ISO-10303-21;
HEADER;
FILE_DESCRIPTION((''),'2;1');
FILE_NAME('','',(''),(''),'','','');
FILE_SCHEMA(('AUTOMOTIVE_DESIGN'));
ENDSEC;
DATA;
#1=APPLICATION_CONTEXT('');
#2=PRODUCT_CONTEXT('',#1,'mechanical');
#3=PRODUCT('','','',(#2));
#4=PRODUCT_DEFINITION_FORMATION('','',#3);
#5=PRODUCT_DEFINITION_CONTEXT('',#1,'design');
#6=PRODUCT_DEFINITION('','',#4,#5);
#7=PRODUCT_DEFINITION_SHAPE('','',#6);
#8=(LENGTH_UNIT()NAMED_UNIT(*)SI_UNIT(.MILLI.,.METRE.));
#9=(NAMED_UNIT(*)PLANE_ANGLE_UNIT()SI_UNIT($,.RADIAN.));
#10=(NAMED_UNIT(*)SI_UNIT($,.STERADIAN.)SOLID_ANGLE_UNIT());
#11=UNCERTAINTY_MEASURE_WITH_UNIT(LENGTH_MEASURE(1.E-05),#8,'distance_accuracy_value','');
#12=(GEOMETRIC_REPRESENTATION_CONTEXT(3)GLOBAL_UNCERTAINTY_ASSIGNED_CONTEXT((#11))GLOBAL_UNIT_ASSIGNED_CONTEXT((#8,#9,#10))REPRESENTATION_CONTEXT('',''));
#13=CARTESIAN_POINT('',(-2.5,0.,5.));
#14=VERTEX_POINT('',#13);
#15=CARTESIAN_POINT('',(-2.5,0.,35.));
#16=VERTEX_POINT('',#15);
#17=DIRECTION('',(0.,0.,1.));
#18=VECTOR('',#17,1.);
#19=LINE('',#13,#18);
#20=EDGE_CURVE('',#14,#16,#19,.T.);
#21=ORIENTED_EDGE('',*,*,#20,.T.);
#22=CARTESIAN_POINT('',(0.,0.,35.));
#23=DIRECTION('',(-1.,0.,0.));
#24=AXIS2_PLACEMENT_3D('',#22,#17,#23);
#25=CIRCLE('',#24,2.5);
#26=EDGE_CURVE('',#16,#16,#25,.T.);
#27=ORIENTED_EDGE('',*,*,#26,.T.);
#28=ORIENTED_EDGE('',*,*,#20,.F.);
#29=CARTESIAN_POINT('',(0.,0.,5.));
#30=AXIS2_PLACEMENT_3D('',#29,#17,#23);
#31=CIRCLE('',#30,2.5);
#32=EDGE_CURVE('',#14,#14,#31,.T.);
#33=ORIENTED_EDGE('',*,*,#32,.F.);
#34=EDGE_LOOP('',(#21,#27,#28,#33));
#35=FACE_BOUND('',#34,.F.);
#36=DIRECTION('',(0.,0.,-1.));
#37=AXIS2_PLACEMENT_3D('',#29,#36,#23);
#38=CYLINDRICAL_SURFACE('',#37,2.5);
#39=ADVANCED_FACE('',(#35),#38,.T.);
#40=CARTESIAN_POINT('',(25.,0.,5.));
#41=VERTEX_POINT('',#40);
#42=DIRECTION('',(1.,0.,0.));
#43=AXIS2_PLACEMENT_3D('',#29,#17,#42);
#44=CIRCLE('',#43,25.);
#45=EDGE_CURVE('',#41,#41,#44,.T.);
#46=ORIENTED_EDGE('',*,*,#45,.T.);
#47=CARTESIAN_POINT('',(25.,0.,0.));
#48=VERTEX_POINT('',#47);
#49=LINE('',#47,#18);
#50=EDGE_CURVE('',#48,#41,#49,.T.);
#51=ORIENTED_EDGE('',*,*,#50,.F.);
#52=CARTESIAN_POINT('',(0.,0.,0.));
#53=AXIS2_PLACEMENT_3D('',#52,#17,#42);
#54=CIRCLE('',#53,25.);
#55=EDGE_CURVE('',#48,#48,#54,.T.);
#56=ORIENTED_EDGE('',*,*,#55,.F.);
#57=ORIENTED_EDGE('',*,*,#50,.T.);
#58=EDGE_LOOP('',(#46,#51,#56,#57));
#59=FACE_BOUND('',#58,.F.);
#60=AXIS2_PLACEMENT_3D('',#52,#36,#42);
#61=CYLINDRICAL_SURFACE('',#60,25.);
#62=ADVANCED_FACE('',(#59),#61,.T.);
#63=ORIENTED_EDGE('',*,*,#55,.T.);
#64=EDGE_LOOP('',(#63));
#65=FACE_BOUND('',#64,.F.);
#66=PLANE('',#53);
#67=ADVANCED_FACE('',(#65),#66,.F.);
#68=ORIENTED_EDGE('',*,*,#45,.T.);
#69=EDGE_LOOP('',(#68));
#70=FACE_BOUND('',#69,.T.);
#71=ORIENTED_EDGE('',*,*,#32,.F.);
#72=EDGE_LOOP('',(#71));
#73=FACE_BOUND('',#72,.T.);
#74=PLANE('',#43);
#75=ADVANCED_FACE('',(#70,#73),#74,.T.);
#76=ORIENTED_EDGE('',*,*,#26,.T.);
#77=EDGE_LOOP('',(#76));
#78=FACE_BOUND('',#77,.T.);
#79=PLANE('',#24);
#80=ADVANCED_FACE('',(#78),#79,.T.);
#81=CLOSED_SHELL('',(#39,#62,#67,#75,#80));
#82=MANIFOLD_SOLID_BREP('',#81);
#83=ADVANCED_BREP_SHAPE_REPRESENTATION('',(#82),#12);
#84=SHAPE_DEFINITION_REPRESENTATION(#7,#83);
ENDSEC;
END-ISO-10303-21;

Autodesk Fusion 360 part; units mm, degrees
sketch "Sketch1" plane through (0, 0, 0) normal (0, 0, 1) x (1, 0, 0)
  circle A0 centre (0, 0) radius 25
  dimension "d1" = 50
extrude "Extrude1" add sketch "Sketch1" along normal blind 5
sketch "Sketch2" plane through (0, 0, 5) normal (0, 0, 1) x (-1, 0, 0)
  circle A0 centre (0, 0) radius 25
  circle A1 centre (0, 0) radius 2.5
  dimension "d4" = 5
extrude "Extrude2" add sketch "Sketch2" along normal blind 30 contours A1
